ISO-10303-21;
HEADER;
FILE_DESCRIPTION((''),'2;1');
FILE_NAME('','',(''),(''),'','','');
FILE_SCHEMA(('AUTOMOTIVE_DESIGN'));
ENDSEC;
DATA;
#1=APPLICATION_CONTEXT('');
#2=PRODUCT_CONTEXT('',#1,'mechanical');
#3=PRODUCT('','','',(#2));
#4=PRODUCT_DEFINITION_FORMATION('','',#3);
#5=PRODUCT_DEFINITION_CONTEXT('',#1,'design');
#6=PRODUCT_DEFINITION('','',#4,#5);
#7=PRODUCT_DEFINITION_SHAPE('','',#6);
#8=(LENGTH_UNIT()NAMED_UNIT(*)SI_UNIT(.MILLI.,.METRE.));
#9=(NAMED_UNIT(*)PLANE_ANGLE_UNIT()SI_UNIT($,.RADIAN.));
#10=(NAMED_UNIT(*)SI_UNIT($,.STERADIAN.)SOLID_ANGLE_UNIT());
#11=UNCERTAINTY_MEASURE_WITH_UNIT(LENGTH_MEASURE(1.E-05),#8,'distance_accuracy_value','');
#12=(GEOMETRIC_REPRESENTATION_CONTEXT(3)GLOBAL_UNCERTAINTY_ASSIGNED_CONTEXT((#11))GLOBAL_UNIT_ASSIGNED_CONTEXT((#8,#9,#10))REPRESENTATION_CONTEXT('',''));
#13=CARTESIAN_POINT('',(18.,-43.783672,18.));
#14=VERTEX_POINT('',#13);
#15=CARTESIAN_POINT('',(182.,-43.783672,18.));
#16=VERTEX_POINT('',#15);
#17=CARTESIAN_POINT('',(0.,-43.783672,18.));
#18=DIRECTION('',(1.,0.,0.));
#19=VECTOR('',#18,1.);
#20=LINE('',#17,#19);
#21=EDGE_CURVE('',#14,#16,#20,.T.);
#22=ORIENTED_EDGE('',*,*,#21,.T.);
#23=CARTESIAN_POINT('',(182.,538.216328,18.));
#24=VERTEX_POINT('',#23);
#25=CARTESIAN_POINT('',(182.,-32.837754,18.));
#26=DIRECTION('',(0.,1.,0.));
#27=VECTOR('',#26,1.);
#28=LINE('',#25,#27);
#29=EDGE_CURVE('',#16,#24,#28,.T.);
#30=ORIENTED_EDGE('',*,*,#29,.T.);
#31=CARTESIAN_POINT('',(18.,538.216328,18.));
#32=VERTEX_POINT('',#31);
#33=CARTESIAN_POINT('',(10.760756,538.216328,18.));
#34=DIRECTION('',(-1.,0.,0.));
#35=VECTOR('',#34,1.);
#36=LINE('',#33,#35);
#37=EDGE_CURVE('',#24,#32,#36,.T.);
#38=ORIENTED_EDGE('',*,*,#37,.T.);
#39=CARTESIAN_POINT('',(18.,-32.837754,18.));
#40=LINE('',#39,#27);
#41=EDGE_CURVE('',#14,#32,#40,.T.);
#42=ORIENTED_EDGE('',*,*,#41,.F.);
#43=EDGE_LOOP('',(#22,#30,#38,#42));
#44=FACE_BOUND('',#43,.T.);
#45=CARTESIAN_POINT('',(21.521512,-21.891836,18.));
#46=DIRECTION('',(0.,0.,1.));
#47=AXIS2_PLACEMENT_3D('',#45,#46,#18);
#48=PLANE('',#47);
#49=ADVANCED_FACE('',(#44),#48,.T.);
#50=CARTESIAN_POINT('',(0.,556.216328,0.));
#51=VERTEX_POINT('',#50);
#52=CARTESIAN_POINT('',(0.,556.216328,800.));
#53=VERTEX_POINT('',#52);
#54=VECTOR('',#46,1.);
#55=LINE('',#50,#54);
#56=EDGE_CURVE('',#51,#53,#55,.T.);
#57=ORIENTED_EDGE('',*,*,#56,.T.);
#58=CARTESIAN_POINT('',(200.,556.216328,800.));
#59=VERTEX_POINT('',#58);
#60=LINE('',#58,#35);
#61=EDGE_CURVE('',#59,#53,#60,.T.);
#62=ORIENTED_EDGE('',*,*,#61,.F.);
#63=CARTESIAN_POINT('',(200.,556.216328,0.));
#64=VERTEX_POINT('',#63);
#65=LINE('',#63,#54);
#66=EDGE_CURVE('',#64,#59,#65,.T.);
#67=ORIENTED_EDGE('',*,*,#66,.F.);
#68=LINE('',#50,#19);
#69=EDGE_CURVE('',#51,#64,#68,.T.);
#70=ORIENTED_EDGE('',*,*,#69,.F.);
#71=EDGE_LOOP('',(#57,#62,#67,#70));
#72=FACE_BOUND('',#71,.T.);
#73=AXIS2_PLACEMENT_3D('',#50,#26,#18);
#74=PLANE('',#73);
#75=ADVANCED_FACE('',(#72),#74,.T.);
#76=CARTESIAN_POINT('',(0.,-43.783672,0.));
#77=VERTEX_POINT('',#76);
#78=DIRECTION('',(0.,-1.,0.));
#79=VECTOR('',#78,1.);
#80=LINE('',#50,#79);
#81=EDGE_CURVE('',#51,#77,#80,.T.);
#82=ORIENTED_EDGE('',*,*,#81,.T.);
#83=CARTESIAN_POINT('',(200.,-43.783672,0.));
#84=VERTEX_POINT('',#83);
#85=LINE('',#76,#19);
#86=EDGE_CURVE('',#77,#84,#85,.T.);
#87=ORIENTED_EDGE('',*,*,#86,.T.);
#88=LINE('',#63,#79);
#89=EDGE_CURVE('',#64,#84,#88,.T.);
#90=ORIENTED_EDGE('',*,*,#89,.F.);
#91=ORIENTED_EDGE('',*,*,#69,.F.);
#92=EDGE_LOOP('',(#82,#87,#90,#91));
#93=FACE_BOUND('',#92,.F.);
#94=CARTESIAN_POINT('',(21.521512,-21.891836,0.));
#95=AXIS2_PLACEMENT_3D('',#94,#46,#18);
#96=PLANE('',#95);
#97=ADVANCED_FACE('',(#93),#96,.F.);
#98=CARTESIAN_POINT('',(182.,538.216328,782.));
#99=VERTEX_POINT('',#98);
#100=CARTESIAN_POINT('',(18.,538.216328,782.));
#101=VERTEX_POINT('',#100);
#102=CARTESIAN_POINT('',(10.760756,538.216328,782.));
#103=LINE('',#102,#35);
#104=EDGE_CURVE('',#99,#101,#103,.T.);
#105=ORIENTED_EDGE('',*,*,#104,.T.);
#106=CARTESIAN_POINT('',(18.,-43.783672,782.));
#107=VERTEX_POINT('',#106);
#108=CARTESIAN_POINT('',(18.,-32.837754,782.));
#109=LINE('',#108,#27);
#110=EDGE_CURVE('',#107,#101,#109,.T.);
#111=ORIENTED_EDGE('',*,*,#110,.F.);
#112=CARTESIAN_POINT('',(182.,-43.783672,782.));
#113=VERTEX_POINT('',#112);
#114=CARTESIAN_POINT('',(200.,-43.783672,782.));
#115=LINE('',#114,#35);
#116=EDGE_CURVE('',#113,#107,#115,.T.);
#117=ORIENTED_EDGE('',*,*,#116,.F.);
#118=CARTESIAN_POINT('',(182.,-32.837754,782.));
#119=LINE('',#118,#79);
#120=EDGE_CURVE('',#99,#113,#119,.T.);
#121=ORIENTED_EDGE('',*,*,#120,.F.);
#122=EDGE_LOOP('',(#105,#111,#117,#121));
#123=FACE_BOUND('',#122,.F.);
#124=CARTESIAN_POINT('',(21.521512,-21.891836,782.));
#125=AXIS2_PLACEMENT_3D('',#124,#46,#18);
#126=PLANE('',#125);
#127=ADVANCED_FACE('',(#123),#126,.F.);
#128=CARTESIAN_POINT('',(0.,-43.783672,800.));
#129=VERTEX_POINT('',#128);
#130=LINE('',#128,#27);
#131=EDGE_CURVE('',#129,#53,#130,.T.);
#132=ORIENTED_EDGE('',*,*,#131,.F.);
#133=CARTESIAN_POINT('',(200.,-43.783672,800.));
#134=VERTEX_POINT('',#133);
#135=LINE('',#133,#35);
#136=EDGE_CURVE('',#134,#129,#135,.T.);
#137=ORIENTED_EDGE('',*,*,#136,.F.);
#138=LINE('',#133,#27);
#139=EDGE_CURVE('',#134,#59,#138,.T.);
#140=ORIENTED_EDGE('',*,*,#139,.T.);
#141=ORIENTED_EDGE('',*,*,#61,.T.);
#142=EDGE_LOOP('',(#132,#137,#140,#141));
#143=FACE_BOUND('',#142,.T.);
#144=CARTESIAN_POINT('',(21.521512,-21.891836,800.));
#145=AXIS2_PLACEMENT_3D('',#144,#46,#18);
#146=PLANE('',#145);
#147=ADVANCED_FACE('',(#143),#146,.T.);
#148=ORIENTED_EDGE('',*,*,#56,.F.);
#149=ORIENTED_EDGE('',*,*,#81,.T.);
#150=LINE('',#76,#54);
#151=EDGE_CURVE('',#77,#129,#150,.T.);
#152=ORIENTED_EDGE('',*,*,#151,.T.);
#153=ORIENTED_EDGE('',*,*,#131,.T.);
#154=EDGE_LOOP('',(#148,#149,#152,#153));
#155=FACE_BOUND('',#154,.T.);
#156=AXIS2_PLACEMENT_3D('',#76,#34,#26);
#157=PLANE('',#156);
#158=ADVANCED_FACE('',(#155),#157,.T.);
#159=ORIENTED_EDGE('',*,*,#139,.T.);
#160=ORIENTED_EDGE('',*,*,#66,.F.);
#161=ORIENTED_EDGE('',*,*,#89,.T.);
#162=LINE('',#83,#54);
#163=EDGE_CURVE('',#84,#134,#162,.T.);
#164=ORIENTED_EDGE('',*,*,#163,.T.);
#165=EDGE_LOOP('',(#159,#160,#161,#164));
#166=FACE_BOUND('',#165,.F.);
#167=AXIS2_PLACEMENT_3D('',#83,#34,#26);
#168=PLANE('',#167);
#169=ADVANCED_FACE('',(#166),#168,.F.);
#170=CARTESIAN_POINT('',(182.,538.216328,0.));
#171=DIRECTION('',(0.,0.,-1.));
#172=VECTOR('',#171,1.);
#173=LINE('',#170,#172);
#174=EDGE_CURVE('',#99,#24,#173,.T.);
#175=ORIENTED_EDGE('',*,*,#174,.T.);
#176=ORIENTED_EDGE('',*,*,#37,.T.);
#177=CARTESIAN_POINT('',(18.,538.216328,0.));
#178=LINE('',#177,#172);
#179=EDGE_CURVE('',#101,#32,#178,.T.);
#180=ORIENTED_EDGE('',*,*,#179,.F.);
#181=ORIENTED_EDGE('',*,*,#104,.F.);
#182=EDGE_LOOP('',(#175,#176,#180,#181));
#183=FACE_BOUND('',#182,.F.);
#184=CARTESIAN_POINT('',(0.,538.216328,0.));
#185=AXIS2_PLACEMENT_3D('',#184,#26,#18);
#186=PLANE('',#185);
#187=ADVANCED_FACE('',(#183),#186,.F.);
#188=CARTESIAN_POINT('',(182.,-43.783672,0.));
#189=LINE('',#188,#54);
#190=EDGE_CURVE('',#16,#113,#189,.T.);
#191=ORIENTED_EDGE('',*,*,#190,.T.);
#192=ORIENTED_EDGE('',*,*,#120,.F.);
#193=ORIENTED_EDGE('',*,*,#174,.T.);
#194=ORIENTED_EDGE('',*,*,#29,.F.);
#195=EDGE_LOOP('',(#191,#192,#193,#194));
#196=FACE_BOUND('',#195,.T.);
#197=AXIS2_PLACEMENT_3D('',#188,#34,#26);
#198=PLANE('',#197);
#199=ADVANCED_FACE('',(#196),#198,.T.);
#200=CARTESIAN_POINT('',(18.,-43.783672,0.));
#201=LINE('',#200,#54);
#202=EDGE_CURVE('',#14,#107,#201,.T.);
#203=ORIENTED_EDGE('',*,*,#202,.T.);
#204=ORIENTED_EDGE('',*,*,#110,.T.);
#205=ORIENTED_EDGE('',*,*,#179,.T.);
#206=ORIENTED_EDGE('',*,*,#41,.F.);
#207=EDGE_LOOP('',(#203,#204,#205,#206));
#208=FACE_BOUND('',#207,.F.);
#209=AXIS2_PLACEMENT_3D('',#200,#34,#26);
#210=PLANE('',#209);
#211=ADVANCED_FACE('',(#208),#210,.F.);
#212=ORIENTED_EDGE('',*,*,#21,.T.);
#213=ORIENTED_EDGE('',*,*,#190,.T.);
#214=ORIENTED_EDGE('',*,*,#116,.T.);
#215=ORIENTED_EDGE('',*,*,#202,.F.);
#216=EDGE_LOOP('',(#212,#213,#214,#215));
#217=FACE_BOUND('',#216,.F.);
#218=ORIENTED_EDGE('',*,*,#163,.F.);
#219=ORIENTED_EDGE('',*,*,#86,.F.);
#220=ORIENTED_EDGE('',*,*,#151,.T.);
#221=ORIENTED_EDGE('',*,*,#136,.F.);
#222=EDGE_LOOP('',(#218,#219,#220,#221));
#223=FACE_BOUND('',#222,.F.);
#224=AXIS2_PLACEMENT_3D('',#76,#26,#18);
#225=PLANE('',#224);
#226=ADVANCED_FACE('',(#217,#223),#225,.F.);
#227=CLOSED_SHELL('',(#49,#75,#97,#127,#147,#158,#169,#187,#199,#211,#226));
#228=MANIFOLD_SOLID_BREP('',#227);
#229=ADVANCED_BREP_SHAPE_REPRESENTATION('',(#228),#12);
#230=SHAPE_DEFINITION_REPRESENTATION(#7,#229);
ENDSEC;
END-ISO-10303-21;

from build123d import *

# Parameters (mm, degrees)
F0_W     = 43.043024838
F0_H     = 43.7836721539
F1_DEPTH = 800
F2_DEPTH = 200
F3_DEPTH = 600
F4_T     = -18


with BuildPart() as f1:
    # F0 (on Top) → F1 (new body)
    with BuildSketch(Plane.XY):
        with Locations((21.521512419, -21.891836077)):
            Rectangle(F0_W, F0_H)
    extrude(amount=F1_DEPTH)

    # F2 (add): a face of the model
    f2_faces = [f1.faces().sort_by_distance(p)[0] for p in [
        (0, -21.891836077, 400),
    ]]
    extrude(f2_faces, amount=-F2_DEPTH)

    # F3 (add): a face of the model
    f3_faces = [f1.faces().sort_by_distance(p)[0] for p in [
        (100, -43.7836721539, 400),
    ]]
    extrude(f3_faces, amount=-F3_DEPTH)

    # F4
    f4_openings = [f1.faces().sort_by_distance(p)[0] for p in [
        (100, -43.783672, 400),
    ]]
    offset(amount=F4_T, openings=f4_openings)


solid = f1.part
